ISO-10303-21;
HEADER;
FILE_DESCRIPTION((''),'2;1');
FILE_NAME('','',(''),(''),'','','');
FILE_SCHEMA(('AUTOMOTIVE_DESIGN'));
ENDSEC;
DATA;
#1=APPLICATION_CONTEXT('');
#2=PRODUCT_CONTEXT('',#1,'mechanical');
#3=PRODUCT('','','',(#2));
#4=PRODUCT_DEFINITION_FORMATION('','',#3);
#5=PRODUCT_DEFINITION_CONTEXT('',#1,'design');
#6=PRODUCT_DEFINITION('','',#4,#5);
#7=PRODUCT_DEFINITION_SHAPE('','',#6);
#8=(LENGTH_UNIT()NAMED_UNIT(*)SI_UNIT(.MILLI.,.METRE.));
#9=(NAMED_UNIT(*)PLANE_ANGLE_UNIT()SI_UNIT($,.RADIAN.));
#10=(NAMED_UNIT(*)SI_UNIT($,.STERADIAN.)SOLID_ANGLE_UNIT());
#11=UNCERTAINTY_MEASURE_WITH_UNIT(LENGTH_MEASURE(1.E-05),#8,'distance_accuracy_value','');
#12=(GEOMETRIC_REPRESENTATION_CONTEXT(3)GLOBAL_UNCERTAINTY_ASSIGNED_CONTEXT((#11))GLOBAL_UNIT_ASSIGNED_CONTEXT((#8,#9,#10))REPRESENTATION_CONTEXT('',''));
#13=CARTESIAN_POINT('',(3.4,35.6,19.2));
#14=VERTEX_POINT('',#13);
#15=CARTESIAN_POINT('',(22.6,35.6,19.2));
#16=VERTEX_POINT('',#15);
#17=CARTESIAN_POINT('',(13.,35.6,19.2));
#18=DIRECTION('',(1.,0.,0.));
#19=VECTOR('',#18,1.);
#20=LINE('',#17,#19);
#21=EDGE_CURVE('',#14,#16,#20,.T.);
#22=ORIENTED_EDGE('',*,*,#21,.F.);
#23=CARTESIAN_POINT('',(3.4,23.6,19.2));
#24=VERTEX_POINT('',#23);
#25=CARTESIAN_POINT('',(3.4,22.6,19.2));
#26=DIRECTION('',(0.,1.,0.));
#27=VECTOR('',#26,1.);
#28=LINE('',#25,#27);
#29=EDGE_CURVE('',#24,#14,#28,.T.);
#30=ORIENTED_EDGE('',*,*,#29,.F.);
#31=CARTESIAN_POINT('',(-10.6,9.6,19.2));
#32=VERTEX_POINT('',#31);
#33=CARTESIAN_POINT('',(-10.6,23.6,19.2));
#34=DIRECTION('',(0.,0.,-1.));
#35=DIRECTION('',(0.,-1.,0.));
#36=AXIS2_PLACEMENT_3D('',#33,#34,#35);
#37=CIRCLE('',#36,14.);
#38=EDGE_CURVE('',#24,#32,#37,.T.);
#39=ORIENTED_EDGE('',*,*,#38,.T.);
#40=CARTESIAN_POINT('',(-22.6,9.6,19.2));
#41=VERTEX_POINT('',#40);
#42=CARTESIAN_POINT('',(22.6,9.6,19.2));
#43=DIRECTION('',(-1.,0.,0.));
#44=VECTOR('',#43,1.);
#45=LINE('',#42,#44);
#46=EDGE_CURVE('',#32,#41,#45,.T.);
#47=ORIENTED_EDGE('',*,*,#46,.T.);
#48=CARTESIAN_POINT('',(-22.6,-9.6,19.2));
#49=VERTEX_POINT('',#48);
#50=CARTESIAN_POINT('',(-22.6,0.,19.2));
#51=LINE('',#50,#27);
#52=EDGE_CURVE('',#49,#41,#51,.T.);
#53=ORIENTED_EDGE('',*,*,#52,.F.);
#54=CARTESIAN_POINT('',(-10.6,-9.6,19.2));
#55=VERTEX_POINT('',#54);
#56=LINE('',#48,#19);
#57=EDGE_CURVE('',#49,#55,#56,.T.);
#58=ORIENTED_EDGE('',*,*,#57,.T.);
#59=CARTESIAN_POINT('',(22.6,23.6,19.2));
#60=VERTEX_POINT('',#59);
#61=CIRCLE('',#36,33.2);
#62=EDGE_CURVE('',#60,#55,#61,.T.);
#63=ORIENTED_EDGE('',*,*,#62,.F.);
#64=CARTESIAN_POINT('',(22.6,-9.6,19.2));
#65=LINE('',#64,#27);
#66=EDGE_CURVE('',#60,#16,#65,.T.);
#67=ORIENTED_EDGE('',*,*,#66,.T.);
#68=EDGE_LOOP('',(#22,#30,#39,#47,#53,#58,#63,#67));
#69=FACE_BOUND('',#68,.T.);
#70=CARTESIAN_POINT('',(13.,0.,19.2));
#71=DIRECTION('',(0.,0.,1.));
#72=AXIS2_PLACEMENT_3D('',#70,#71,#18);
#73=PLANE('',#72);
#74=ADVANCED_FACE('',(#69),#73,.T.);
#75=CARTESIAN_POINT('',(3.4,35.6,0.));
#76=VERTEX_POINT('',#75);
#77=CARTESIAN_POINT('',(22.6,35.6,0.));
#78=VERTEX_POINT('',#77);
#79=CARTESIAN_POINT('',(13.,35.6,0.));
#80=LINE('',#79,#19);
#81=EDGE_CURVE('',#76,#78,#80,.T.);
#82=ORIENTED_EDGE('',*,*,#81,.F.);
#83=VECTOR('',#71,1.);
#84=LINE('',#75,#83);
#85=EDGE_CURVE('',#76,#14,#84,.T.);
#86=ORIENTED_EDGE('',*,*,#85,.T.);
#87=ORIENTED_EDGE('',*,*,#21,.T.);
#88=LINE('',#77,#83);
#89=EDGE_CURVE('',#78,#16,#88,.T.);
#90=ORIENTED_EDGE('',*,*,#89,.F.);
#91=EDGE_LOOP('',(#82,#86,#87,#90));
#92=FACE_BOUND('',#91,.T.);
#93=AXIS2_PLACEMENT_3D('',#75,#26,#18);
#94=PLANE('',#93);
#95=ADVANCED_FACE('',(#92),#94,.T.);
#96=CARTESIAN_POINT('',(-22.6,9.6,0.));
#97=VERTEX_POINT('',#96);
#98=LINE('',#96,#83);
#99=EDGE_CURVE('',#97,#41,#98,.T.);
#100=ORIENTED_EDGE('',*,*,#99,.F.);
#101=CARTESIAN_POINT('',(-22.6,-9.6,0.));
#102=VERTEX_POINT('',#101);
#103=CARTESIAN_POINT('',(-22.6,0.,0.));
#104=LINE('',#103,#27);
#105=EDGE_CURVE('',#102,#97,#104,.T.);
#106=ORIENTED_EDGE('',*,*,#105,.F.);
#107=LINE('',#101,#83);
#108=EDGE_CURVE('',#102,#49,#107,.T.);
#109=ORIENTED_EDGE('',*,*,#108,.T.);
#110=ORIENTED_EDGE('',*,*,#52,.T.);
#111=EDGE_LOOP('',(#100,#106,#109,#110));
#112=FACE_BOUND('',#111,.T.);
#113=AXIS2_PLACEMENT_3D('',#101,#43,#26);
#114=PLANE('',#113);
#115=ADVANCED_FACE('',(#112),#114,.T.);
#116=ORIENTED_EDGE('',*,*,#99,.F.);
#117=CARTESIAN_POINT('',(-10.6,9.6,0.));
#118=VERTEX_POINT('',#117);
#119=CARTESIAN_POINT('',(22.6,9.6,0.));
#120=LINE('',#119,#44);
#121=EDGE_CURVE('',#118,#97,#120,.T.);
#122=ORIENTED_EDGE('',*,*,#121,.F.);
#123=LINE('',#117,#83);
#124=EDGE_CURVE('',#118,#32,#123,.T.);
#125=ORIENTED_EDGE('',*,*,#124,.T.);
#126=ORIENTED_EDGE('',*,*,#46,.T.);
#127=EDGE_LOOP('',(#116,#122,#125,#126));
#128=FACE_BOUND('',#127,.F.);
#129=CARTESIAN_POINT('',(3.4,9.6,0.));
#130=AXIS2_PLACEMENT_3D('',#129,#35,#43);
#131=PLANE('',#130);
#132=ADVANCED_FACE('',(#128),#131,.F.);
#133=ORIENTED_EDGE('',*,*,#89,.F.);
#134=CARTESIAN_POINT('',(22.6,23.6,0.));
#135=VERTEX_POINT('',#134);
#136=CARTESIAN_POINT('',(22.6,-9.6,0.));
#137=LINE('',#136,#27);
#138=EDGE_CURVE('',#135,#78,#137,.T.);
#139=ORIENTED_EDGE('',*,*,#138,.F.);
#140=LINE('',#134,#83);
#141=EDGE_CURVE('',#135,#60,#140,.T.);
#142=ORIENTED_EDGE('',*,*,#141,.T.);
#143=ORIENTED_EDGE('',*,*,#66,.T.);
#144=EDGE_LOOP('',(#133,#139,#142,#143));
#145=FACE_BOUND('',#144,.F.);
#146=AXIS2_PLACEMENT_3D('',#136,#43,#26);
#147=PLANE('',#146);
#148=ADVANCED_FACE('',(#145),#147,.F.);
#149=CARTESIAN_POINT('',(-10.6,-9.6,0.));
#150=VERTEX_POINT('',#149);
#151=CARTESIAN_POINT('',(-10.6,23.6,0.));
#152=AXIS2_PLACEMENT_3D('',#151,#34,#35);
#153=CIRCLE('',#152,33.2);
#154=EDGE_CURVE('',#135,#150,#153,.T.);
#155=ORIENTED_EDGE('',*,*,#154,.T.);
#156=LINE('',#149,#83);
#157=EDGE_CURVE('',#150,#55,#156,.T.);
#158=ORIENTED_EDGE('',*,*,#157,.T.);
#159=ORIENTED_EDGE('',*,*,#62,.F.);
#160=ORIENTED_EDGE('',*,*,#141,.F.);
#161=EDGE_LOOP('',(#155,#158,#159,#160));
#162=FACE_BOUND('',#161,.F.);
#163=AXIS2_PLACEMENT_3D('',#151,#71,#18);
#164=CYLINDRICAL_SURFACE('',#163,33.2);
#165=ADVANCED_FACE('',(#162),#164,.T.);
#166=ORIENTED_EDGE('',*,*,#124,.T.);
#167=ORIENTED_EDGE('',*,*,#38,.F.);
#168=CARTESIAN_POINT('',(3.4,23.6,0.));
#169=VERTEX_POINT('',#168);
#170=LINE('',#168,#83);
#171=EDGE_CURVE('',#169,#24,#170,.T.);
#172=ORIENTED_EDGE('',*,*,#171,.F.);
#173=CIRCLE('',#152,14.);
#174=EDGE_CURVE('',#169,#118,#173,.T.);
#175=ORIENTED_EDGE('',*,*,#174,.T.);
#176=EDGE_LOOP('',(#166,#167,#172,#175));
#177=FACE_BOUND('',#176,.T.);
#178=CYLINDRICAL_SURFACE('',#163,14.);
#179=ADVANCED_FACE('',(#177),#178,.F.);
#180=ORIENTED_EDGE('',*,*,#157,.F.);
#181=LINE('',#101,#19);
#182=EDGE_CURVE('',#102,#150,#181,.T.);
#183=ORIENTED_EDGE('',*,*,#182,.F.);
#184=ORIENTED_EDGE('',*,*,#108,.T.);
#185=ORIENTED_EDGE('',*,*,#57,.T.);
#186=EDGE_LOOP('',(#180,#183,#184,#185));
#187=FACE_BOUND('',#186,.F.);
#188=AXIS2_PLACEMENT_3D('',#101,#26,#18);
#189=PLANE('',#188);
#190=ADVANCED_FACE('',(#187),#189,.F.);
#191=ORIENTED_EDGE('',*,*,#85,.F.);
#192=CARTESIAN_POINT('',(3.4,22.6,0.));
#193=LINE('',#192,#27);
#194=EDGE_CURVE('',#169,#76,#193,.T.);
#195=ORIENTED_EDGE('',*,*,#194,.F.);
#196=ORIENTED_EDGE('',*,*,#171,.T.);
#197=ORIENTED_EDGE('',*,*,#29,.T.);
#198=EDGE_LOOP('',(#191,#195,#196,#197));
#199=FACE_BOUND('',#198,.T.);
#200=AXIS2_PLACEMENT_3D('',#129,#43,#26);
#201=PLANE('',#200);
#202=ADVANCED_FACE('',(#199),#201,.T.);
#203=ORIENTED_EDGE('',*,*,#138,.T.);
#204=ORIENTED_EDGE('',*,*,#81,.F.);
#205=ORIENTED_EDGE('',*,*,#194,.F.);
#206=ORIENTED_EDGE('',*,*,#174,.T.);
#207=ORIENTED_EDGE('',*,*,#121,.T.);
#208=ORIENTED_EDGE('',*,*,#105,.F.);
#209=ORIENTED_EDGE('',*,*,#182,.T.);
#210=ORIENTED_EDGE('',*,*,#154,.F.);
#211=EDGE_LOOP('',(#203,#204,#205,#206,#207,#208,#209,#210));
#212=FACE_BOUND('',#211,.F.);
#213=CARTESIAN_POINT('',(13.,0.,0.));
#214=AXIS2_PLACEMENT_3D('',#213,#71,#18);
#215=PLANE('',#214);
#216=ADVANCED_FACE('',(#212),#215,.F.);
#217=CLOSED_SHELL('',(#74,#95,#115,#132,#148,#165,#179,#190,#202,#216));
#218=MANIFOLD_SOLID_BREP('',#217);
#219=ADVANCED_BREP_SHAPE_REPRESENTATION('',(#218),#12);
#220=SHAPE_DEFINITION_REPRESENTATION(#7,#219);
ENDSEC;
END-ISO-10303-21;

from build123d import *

# Parameters (mm, degrees)
F0_W     = 19.2
F0_H     = 19.2
F0_W_2   = 26
F0_H_2   = 26
F1_DEPTH = 19.2
F2_R     = 14
F3_R     = 33.2


with BuildPart() as f1:
    # F0 (on Top) → F1 (new body)
    with BuildSketch(Plane.XY):
        with Locations((13, 0)):
            Rectangle(F0_W, F0_H)
        with Locations((-9.6, 0)):
            Rectangle(F0_W_2, F0_H)
        with Locations((13, 22.6)):
            Rectangle(F0_W, F0_H_2)
    extrude(amount=F1_DEPTH)

    # F2
    f2_edges = [f1.edges().sort_by_distance(p)[0] for p in [
        (3.4, 9.6, 9.6),
    ]]
    fillet(f2_edges, radius=F2_R)

    # F3
    f3_edges = [f1.edges().sort_by_distance(p)[0] for p in [
        (22.6, -9.6, 9.6),
    ]]
    fillet(f3_edges, radius=F3_R)


solid = f1.part
